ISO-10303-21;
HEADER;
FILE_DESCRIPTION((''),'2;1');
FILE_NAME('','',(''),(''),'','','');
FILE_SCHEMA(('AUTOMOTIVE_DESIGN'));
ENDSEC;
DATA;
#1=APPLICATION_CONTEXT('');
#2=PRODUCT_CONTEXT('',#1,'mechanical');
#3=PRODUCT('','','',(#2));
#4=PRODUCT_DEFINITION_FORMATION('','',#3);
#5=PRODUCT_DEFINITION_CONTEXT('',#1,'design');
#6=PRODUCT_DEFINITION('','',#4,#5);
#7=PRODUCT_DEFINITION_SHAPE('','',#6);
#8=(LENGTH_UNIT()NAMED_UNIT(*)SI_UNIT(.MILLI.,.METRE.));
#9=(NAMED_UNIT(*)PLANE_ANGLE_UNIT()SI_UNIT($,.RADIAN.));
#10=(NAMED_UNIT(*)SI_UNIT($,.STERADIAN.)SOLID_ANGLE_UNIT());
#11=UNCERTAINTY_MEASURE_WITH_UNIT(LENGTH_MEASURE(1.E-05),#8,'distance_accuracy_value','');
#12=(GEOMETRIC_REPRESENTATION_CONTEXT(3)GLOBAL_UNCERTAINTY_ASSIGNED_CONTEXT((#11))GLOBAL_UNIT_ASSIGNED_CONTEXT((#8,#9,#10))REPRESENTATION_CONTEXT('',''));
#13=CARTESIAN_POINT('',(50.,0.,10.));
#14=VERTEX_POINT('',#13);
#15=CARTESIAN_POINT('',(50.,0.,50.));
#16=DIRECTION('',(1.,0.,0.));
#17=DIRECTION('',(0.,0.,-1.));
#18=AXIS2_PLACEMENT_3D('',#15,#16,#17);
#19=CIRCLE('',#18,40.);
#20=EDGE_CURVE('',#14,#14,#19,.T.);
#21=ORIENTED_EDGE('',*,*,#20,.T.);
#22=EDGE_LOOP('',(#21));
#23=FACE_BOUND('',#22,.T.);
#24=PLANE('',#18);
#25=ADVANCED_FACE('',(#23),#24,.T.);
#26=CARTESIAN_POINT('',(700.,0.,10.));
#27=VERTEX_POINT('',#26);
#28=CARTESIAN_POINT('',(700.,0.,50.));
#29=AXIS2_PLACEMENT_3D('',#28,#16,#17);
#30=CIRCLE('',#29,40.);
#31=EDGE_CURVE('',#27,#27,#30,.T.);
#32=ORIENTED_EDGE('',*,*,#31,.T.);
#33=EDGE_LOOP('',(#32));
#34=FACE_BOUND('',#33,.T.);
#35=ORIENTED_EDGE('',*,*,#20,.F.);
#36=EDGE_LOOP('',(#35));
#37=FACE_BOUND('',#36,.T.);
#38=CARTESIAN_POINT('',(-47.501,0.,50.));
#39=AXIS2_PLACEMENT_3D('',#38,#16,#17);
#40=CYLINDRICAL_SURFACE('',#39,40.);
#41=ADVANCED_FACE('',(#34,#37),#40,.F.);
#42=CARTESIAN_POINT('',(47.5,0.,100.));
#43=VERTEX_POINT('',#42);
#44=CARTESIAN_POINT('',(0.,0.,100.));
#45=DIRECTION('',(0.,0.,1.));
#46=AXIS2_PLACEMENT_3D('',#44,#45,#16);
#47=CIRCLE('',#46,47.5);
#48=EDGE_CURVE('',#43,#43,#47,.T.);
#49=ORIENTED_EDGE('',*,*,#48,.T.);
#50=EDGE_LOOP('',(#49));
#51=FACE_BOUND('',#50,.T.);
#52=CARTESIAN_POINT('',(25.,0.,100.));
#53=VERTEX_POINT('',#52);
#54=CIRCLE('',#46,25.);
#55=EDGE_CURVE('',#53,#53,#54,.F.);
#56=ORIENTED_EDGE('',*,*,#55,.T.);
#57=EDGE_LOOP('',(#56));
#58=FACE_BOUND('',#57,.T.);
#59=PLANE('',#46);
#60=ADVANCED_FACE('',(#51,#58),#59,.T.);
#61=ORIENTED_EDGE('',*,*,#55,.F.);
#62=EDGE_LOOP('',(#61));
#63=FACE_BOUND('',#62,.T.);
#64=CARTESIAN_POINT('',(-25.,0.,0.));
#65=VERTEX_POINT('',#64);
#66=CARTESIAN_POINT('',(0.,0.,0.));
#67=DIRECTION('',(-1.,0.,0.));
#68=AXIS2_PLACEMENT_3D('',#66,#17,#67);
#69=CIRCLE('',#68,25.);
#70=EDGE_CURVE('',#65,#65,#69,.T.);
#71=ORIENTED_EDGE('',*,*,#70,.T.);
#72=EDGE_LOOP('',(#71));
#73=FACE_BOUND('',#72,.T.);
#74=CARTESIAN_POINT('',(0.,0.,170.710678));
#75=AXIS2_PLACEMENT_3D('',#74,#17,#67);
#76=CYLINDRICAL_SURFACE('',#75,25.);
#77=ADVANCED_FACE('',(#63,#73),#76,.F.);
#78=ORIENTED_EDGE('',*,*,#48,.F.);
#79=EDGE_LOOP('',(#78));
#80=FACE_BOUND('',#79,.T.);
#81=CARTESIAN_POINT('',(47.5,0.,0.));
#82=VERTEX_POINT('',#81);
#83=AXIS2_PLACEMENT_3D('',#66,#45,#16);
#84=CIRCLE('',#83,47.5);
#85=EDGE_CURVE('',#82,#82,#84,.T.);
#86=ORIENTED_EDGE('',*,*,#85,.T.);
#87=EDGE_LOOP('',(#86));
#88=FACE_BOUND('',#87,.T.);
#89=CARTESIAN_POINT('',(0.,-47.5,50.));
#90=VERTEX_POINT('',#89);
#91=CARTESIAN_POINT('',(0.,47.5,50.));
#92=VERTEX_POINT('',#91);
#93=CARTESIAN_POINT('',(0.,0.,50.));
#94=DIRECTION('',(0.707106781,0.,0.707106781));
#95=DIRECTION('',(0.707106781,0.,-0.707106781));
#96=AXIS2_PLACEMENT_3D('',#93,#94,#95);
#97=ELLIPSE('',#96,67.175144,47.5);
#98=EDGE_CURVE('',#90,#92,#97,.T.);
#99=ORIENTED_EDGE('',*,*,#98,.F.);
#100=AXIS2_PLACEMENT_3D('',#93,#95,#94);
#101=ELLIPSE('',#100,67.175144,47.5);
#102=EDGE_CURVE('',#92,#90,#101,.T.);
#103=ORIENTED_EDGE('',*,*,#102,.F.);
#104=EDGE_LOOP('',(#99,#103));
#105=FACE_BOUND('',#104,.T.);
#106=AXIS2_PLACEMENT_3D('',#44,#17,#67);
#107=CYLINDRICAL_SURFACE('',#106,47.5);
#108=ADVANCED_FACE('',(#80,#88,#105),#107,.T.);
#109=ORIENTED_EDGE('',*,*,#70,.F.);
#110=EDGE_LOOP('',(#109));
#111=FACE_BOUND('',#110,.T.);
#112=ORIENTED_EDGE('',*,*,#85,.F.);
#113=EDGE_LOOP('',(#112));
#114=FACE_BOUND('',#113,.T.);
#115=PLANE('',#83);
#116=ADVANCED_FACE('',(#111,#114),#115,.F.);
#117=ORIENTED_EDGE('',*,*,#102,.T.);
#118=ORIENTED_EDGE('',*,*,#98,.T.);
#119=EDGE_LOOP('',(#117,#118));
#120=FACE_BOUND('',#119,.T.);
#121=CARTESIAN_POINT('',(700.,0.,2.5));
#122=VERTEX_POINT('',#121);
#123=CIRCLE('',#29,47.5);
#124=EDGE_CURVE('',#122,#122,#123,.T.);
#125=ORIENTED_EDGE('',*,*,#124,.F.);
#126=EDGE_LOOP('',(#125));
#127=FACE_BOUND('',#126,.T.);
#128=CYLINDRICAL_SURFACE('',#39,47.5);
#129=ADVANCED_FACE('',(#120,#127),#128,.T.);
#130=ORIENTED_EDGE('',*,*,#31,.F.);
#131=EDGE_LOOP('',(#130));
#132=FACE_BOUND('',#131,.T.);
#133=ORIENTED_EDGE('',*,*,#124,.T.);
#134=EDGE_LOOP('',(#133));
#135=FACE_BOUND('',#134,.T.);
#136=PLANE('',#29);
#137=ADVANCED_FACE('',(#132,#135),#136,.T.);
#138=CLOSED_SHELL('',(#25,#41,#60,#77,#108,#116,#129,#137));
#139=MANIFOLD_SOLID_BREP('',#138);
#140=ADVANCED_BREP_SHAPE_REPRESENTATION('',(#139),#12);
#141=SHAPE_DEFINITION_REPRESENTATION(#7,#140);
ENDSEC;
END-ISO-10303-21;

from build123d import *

# Parameters (mm, degrees)
SKETCH1_R                = 47.5
BOSS_EXTRUDE1_DEPTH      = 100
BOSS_EXTRUDE2_REACH      = 757.654
BOSS_EXTRUDE2_END_RADIUS = 47.5
SKETCH2_R                = 47.5
SKETCH2_R_2              = 40
BOSS_EXTRUDE4_REACH      = 661.36
SKETCH3_R                = 40
SKETCH4_R                = 25
CUT_EXTRUDE1_DEPTH       = 100


with BuildPart() as part:
    # Sketch1 → Boss-Extrude1 (new body)
    with BuildSketch(Plane.XY):
        Circle(SKETCH1_R)
    extrude(amount=BOSS_EXTRUDE1_DEPTH)

    # Boss-Extrude2: up to this cylinder (the profile starts outside it)
    boss_extrude2_end = Plane(origin=(0, 0, 96.156497), z_dir=(0, 0, -1)) * Cylinder(BOSS_EXTRUDE2_END_RADIUS, 1611.308, mode=Mode.PRIVATE)
    # Sketch2 → Boss-Extrude2 (add, up to the surface)
    with BuildSketch(Plane(origin=(700, 0, 0), x_dir=(0, 0, -1), z_dir=(1, 0, 0)), mode=Mode.PRIVATE) as boss_extrude2_sk1:
        with Locations((-50, 0)):
            Circle(SKETCH2_R)
        with Locations((-50, 0)):
            Circle(SKETCH2_R_2, mode=Mode.SUBTRACT)
    boss_extrude2_tool1 = extrude(boss_extrude2_sk1.sketch, amount=-BOSS_EXTRUDE2_REACH, mode=Mode.PRIVATE) - boss_extrude2_end
    add(boss_extrude2_tool1.solids().sort_by_distance((700, 0, 96.156497))[0])

    # Sketch3 → Boss-Extrude4 (add, up to next)
    with BuildSketch(Plane(origin=(50, 0, 0), x_dir=(0, 0, -1), z_dir=(1, 0, 0)), mode=Mode.PRIVATE) as boss_extrude4_sk1:
        with Locations((-50, 0)):
            Circle(SKETCH3_R)
    boss_extrude4_tool1 = extrude(boss_extrude4_sk1.sketch, amount=-BOSS_EXTRUDE4_REACH, mode=Mode.PRIVATE) - part.part
    add(boss_extrude4_tool1.solids().sort_by_distance((50, 0, 50))[0])

    # Sketch4 → Cut-Extrude1 (cut)
    with BuildSketch(Plane(origin=(0, 0, 0), x_dir=(-1, 0, 0), z_dir=(0, 0, -1))):
        Circle(SKETCH4_R)
    extrude(amount=-CUT_EXTRUDE1_DEPTH, mode=Mode.SUBTRACT)


solid = part.part
